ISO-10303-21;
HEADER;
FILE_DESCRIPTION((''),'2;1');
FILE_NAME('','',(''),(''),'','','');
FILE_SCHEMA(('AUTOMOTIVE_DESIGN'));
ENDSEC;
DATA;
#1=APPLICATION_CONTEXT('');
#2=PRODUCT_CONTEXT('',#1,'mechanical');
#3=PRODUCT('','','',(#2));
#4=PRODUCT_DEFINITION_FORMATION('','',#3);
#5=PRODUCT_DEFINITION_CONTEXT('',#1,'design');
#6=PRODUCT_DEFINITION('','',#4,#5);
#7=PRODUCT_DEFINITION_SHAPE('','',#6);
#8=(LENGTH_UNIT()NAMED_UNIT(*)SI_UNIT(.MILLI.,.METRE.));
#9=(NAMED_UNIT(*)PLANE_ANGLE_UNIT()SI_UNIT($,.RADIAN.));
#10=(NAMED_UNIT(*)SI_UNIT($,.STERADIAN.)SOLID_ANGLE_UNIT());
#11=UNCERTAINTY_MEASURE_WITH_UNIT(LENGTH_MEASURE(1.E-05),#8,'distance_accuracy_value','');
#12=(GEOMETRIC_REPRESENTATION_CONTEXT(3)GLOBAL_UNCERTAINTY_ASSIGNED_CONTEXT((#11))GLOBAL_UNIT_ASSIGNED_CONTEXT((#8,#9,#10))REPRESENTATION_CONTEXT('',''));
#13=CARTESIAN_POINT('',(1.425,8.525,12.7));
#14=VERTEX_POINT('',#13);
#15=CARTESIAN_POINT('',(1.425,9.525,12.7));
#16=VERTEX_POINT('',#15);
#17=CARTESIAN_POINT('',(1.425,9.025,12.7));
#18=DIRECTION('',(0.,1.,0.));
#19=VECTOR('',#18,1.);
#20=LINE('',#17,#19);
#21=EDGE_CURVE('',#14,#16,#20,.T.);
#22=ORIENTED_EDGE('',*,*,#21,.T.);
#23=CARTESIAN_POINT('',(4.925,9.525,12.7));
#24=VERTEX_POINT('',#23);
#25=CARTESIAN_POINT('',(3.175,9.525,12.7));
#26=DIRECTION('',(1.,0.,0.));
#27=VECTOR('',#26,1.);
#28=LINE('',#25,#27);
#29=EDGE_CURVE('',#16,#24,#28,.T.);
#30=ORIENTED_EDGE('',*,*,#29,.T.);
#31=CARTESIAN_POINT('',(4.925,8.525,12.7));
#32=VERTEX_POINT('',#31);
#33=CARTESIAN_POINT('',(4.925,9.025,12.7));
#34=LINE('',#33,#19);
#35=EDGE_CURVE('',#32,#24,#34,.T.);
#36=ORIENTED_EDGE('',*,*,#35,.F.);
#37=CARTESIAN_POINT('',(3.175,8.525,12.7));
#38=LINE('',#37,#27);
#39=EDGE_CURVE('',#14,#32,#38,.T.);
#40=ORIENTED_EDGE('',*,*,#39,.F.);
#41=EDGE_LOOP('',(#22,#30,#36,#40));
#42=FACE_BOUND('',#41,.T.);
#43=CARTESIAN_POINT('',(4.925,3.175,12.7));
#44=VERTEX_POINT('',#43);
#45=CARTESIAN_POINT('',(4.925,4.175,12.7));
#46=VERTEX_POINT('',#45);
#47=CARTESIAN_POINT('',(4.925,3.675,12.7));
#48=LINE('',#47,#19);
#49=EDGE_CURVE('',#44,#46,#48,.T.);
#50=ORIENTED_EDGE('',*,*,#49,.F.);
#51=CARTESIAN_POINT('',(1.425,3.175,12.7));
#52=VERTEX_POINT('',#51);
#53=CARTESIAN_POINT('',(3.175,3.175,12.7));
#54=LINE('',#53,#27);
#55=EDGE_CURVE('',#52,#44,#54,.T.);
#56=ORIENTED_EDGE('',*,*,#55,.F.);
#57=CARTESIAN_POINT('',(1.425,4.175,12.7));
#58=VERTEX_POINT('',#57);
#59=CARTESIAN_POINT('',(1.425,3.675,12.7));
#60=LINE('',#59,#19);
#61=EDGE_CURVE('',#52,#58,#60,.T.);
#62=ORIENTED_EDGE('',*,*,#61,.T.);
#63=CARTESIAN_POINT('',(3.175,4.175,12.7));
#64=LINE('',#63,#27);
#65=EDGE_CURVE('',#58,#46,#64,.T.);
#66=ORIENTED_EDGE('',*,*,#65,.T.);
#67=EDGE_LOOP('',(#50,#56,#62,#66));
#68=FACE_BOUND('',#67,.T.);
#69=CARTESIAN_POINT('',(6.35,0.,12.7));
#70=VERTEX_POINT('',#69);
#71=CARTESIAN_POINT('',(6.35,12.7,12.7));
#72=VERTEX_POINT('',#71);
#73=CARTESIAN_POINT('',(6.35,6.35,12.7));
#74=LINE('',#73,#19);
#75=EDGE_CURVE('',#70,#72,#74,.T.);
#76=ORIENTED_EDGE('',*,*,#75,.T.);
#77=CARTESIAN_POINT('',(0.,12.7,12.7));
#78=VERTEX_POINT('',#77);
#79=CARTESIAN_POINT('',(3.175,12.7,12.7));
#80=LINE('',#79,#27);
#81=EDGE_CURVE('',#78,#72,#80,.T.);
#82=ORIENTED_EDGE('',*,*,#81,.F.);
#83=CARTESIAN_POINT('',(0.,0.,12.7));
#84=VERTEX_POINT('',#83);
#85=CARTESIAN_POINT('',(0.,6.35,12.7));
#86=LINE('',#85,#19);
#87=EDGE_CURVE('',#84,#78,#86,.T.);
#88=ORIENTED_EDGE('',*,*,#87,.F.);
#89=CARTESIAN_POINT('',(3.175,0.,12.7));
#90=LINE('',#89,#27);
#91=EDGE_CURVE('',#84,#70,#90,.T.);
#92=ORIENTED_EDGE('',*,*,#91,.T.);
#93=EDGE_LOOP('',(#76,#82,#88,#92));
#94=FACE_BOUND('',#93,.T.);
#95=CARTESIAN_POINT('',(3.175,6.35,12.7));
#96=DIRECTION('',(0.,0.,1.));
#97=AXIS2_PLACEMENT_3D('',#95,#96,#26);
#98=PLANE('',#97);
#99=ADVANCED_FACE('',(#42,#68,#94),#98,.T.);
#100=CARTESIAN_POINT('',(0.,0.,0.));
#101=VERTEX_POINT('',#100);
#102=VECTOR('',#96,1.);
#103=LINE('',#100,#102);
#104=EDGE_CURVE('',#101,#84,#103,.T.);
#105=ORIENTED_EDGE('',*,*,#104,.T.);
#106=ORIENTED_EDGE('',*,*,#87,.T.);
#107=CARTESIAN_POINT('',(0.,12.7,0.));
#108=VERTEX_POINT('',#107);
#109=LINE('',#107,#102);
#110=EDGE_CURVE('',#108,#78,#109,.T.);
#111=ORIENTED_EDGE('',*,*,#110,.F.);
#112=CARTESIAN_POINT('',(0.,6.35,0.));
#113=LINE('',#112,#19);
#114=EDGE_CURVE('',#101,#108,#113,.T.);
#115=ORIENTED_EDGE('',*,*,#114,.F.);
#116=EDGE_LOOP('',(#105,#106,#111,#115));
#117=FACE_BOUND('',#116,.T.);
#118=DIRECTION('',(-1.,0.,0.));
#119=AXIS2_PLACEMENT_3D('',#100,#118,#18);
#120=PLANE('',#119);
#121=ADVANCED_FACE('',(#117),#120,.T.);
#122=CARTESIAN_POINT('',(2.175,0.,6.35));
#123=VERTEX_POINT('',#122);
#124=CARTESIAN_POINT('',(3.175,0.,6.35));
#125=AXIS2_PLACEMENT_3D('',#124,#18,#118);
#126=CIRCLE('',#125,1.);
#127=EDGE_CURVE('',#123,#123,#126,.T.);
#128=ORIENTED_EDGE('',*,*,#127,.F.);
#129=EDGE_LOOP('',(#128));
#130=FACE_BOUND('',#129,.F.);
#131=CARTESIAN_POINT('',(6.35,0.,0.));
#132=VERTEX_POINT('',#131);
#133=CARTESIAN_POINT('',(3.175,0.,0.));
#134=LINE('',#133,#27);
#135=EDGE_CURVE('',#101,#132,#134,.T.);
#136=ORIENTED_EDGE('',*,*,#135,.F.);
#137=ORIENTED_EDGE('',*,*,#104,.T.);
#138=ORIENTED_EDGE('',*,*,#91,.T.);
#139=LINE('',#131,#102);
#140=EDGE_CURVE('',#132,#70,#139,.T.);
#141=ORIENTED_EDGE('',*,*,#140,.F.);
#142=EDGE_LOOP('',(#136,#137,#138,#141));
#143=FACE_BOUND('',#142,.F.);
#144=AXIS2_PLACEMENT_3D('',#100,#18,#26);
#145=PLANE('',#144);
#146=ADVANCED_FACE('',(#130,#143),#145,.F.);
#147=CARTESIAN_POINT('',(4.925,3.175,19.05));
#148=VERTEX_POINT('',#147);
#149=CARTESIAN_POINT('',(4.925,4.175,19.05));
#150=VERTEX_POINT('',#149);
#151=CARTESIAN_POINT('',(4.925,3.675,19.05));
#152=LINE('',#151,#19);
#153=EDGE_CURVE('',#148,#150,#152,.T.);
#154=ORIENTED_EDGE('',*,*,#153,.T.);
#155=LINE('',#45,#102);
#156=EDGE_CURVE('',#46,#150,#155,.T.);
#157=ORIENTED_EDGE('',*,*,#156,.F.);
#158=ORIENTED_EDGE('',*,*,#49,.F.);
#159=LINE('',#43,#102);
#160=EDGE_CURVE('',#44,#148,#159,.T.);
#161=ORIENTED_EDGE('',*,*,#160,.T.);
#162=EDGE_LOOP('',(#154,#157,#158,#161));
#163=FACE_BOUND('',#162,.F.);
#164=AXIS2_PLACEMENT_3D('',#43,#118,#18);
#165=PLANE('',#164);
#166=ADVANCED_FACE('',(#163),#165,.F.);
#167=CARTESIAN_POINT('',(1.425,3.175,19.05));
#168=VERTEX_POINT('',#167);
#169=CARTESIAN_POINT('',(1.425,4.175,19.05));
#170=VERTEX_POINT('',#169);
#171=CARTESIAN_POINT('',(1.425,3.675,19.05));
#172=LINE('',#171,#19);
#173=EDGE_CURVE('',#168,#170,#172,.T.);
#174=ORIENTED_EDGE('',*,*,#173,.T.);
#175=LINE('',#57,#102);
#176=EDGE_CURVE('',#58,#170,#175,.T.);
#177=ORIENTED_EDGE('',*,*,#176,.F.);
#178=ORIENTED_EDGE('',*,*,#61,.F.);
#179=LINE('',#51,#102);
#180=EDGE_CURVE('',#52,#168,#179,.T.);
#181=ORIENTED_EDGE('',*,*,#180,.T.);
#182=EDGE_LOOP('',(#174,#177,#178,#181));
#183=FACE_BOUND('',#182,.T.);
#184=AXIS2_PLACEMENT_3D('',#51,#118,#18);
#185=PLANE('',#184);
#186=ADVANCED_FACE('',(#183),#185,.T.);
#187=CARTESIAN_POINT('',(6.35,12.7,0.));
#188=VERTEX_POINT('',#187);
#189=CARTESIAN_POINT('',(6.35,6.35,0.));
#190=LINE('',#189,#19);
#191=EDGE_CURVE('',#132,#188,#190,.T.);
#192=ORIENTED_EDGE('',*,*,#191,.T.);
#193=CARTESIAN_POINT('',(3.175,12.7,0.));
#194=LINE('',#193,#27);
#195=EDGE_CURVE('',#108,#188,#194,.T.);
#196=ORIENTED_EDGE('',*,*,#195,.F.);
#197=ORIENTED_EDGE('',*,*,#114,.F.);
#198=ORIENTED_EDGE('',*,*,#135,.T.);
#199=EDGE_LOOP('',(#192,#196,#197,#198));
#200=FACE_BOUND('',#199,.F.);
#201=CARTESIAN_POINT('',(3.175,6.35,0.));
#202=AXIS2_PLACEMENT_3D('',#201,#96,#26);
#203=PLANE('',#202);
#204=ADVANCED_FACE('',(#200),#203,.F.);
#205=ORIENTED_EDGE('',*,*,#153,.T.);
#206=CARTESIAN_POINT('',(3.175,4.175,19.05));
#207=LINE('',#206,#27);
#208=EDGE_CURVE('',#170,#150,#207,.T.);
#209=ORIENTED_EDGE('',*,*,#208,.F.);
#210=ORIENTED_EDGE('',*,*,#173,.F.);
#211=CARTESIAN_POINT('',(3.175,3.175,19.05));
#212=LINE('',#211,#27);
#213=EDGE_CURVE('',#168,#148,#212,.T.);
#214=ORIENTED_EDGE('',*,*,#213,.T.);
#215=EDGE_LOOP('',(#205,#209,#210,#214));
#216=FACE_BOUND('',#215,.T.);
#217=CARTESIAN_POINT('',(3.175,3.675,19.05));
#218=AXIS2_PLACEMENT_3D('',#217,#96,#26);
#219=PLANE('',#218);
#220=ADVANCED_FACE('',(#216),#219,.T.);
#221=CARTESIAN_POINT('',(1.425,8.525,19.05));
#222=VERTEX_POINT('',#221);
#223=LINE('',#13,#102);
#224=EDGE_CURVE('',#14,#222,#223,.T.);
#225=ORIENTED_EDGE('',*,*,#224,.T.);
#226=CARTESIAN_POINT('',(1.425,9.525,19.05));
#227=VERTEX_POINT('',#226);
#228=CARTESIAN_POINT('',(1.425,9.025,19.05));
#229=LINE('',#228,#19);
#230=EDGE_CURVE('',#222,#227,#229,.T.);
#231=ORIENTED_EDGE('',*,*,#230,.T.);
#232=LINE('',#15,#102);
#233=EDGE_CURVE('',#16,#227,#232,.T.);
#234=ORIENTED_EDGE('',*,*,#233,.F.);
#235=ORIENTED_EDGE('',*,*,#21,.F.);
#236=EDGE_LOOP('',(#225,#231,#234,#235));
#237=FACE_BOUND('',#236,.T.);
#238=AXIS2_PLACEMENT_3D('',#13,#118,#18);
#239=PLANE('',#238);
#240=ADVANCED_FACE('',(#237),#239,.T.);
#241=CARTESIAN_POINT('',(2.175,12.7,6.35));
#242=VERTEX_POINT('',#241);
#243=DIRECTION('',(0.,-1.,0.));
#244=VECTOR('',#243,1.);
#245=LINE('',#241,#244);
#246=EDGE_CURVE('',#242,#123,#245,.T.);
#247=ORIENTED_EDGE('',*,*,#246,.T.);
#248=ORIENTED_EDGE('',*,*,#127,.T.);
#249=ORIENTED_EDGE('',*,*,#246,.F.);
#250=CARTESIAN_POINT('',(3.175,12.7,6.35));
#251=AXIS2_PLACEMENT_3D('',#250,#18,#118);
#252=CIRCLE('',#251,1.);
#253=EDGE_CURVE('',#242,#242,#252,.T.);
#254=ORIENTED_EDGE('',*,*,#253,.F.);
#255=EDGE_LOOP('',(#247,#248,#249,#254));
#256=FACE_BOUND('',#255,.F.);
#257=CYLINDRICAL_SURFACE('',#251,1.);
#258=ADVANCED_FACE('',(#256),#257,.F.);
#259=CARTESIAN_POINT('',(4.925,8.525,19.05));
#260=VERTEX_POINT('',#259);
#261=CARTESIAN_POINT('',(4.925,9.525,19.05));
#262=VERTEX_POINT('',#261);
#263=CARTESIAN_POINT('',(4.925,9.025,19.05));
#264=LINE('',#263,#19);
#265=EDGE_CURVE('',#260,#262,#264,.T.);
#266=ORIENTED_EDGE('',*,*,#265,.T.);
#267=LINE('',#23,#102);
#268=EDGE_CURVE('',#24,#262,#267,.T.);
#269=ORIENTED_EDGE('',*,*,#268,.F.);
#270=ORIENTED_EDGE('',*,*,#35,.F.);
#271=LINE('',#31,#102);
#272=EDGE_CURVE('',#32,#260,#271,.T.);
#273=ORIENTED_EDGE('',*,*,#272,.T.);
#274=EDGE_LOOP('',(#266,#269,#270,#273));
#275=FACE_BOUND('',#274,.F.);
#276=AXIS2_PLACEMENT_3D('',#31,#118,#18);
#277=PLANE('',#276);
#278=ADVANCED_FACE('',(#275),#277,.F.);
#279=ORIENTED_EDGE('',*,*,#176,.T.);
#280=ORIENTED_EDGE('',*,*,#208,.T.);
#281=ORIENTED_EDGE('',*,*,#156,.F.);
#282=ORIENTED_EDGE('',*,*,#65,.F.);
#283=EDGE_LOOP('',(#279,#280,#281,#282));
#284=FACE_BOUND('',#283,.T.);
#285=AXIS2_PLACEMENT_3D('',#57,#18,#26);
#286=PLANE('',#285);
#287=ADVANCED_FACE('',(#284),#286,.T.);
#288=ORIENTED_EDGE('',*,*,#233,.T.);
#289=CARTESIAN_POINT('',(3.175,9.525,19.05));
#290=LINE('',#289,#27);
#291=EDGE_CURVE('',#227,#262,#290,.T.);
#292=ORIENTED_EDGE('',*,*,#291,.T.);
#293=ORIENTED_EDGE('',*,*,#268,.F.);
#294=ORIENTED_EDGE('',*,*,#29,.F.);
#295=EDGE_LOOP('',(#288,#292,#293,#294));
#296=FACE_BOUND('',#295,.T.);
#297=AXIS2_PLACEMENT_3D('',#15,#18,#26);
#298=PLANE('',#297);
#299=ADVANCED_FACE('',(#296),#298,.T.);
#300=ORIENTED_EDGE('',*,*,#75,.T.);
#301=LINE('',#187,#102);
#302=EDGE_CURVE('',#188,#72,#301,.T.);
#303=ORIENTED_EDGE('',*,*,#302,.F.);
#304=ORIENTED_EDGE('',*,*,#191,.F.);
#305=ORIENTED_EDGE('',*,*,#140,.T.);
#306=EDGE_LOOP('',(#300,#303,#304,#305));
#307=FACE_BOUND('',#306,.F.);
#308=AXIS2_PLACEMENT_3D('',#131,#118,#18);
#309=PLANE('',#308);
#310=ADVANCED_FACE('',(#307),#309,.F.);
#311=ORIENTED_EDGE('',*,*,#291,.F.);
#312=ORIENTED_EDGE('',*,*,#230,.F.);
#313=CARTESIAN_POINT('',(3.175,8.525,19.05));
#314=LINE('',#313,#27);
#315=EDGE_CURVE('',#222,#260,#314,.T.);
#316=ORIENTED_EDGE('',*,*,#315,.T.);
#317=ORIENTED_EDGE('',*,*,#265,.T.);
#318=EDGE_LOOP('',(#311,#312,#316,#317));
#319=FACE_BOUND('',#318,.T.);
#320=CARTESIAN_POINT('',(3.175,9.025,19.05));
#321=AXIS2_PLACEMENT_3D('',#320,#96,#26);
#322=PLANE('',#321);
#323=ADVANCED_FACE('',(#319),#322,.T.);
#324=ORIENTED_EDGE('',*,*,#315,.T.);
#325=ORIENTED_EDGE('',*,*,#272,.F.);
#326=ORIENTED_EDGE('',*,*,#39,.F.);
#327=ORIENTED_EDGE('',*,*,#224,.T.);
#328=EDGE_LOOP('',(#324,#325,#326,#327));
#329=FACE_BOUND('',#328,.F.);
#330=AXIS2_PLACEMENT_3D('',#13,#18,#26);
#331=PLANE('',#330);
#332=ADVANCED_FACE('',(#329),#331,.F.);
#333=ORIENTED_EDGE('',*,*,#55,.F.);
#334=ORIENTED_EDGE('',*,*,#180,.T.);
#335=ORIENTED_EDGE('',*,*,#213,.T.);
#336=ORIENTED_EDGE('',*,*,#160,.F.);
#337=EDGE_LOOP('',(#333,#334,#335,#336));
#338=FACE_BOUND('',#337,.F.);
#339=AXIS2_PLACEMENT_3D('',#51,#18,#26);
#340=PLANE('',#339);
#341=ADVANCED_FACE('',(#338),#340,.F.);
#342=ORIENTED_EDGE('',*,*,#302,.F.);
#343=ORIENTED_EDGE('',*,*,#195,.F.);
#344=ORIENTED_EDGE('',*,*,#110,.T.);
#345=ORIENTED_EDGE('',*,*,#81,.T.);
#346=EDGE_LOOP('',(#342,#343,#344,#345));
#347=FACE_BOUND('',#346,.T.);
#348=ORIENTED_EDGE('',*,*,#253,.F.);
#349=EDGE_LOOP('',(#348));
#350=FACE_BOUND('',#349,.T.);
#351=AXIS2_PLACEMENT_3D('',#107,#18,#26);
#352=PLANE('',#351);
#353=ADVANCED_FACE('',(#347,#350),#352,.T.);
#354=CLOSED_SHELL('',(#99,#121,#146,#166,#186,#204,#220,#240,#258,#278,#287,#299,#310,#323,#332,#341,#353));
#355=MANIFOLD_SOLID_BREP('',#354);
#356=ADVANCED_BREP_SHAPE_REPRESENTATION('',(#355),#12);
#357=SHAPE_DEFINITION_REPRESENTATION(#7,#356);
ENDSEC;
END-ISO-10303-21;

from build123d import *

# Parameters (mm, degrees)
F0_W     = 6.35
F0_H     = 12.7
F1_DEPTH = 12.7
F2_W     = 3.5
F2_H     = 1
F3_DEPTH = 6.35
F4_R     = 1
F5_DEPTH = 12.701


with BuildPart() as f1:
    # F0 (on Top) → F1 (new body)
    with BuildSketch(Plane.XY):
        with Locations((3.175, 6.35)):
            Rectangle(F0_W, F0_H)
    extrude(amount=F1_DEPTH)

    # F2 (on face) → F3 (join)
    with BuildSketch(Plane.XY.offset(12.7)):
        with Locations((3.175, 9.025)):
            Rectangle(F2_W, F2_H)
        with Locations((3.175, 3.675)):
            Rectangle(F2_W, F2_H)
    extrude(amount=F3_DEPTH)

    # F4 (on face) → F5 (cut, through all)
    with BuildSketch(Plane(origin=(0, 12.7, 0), x_dir=(-1, 0, 0), z_dir=(0, 1, 0))):
        with Locations((-3.175, 6.35)):
            Circle(F4_R)
    extrude(amount=-F5_DEPTH, mode=Mode.SUBTRACT)


solid = f1.part
